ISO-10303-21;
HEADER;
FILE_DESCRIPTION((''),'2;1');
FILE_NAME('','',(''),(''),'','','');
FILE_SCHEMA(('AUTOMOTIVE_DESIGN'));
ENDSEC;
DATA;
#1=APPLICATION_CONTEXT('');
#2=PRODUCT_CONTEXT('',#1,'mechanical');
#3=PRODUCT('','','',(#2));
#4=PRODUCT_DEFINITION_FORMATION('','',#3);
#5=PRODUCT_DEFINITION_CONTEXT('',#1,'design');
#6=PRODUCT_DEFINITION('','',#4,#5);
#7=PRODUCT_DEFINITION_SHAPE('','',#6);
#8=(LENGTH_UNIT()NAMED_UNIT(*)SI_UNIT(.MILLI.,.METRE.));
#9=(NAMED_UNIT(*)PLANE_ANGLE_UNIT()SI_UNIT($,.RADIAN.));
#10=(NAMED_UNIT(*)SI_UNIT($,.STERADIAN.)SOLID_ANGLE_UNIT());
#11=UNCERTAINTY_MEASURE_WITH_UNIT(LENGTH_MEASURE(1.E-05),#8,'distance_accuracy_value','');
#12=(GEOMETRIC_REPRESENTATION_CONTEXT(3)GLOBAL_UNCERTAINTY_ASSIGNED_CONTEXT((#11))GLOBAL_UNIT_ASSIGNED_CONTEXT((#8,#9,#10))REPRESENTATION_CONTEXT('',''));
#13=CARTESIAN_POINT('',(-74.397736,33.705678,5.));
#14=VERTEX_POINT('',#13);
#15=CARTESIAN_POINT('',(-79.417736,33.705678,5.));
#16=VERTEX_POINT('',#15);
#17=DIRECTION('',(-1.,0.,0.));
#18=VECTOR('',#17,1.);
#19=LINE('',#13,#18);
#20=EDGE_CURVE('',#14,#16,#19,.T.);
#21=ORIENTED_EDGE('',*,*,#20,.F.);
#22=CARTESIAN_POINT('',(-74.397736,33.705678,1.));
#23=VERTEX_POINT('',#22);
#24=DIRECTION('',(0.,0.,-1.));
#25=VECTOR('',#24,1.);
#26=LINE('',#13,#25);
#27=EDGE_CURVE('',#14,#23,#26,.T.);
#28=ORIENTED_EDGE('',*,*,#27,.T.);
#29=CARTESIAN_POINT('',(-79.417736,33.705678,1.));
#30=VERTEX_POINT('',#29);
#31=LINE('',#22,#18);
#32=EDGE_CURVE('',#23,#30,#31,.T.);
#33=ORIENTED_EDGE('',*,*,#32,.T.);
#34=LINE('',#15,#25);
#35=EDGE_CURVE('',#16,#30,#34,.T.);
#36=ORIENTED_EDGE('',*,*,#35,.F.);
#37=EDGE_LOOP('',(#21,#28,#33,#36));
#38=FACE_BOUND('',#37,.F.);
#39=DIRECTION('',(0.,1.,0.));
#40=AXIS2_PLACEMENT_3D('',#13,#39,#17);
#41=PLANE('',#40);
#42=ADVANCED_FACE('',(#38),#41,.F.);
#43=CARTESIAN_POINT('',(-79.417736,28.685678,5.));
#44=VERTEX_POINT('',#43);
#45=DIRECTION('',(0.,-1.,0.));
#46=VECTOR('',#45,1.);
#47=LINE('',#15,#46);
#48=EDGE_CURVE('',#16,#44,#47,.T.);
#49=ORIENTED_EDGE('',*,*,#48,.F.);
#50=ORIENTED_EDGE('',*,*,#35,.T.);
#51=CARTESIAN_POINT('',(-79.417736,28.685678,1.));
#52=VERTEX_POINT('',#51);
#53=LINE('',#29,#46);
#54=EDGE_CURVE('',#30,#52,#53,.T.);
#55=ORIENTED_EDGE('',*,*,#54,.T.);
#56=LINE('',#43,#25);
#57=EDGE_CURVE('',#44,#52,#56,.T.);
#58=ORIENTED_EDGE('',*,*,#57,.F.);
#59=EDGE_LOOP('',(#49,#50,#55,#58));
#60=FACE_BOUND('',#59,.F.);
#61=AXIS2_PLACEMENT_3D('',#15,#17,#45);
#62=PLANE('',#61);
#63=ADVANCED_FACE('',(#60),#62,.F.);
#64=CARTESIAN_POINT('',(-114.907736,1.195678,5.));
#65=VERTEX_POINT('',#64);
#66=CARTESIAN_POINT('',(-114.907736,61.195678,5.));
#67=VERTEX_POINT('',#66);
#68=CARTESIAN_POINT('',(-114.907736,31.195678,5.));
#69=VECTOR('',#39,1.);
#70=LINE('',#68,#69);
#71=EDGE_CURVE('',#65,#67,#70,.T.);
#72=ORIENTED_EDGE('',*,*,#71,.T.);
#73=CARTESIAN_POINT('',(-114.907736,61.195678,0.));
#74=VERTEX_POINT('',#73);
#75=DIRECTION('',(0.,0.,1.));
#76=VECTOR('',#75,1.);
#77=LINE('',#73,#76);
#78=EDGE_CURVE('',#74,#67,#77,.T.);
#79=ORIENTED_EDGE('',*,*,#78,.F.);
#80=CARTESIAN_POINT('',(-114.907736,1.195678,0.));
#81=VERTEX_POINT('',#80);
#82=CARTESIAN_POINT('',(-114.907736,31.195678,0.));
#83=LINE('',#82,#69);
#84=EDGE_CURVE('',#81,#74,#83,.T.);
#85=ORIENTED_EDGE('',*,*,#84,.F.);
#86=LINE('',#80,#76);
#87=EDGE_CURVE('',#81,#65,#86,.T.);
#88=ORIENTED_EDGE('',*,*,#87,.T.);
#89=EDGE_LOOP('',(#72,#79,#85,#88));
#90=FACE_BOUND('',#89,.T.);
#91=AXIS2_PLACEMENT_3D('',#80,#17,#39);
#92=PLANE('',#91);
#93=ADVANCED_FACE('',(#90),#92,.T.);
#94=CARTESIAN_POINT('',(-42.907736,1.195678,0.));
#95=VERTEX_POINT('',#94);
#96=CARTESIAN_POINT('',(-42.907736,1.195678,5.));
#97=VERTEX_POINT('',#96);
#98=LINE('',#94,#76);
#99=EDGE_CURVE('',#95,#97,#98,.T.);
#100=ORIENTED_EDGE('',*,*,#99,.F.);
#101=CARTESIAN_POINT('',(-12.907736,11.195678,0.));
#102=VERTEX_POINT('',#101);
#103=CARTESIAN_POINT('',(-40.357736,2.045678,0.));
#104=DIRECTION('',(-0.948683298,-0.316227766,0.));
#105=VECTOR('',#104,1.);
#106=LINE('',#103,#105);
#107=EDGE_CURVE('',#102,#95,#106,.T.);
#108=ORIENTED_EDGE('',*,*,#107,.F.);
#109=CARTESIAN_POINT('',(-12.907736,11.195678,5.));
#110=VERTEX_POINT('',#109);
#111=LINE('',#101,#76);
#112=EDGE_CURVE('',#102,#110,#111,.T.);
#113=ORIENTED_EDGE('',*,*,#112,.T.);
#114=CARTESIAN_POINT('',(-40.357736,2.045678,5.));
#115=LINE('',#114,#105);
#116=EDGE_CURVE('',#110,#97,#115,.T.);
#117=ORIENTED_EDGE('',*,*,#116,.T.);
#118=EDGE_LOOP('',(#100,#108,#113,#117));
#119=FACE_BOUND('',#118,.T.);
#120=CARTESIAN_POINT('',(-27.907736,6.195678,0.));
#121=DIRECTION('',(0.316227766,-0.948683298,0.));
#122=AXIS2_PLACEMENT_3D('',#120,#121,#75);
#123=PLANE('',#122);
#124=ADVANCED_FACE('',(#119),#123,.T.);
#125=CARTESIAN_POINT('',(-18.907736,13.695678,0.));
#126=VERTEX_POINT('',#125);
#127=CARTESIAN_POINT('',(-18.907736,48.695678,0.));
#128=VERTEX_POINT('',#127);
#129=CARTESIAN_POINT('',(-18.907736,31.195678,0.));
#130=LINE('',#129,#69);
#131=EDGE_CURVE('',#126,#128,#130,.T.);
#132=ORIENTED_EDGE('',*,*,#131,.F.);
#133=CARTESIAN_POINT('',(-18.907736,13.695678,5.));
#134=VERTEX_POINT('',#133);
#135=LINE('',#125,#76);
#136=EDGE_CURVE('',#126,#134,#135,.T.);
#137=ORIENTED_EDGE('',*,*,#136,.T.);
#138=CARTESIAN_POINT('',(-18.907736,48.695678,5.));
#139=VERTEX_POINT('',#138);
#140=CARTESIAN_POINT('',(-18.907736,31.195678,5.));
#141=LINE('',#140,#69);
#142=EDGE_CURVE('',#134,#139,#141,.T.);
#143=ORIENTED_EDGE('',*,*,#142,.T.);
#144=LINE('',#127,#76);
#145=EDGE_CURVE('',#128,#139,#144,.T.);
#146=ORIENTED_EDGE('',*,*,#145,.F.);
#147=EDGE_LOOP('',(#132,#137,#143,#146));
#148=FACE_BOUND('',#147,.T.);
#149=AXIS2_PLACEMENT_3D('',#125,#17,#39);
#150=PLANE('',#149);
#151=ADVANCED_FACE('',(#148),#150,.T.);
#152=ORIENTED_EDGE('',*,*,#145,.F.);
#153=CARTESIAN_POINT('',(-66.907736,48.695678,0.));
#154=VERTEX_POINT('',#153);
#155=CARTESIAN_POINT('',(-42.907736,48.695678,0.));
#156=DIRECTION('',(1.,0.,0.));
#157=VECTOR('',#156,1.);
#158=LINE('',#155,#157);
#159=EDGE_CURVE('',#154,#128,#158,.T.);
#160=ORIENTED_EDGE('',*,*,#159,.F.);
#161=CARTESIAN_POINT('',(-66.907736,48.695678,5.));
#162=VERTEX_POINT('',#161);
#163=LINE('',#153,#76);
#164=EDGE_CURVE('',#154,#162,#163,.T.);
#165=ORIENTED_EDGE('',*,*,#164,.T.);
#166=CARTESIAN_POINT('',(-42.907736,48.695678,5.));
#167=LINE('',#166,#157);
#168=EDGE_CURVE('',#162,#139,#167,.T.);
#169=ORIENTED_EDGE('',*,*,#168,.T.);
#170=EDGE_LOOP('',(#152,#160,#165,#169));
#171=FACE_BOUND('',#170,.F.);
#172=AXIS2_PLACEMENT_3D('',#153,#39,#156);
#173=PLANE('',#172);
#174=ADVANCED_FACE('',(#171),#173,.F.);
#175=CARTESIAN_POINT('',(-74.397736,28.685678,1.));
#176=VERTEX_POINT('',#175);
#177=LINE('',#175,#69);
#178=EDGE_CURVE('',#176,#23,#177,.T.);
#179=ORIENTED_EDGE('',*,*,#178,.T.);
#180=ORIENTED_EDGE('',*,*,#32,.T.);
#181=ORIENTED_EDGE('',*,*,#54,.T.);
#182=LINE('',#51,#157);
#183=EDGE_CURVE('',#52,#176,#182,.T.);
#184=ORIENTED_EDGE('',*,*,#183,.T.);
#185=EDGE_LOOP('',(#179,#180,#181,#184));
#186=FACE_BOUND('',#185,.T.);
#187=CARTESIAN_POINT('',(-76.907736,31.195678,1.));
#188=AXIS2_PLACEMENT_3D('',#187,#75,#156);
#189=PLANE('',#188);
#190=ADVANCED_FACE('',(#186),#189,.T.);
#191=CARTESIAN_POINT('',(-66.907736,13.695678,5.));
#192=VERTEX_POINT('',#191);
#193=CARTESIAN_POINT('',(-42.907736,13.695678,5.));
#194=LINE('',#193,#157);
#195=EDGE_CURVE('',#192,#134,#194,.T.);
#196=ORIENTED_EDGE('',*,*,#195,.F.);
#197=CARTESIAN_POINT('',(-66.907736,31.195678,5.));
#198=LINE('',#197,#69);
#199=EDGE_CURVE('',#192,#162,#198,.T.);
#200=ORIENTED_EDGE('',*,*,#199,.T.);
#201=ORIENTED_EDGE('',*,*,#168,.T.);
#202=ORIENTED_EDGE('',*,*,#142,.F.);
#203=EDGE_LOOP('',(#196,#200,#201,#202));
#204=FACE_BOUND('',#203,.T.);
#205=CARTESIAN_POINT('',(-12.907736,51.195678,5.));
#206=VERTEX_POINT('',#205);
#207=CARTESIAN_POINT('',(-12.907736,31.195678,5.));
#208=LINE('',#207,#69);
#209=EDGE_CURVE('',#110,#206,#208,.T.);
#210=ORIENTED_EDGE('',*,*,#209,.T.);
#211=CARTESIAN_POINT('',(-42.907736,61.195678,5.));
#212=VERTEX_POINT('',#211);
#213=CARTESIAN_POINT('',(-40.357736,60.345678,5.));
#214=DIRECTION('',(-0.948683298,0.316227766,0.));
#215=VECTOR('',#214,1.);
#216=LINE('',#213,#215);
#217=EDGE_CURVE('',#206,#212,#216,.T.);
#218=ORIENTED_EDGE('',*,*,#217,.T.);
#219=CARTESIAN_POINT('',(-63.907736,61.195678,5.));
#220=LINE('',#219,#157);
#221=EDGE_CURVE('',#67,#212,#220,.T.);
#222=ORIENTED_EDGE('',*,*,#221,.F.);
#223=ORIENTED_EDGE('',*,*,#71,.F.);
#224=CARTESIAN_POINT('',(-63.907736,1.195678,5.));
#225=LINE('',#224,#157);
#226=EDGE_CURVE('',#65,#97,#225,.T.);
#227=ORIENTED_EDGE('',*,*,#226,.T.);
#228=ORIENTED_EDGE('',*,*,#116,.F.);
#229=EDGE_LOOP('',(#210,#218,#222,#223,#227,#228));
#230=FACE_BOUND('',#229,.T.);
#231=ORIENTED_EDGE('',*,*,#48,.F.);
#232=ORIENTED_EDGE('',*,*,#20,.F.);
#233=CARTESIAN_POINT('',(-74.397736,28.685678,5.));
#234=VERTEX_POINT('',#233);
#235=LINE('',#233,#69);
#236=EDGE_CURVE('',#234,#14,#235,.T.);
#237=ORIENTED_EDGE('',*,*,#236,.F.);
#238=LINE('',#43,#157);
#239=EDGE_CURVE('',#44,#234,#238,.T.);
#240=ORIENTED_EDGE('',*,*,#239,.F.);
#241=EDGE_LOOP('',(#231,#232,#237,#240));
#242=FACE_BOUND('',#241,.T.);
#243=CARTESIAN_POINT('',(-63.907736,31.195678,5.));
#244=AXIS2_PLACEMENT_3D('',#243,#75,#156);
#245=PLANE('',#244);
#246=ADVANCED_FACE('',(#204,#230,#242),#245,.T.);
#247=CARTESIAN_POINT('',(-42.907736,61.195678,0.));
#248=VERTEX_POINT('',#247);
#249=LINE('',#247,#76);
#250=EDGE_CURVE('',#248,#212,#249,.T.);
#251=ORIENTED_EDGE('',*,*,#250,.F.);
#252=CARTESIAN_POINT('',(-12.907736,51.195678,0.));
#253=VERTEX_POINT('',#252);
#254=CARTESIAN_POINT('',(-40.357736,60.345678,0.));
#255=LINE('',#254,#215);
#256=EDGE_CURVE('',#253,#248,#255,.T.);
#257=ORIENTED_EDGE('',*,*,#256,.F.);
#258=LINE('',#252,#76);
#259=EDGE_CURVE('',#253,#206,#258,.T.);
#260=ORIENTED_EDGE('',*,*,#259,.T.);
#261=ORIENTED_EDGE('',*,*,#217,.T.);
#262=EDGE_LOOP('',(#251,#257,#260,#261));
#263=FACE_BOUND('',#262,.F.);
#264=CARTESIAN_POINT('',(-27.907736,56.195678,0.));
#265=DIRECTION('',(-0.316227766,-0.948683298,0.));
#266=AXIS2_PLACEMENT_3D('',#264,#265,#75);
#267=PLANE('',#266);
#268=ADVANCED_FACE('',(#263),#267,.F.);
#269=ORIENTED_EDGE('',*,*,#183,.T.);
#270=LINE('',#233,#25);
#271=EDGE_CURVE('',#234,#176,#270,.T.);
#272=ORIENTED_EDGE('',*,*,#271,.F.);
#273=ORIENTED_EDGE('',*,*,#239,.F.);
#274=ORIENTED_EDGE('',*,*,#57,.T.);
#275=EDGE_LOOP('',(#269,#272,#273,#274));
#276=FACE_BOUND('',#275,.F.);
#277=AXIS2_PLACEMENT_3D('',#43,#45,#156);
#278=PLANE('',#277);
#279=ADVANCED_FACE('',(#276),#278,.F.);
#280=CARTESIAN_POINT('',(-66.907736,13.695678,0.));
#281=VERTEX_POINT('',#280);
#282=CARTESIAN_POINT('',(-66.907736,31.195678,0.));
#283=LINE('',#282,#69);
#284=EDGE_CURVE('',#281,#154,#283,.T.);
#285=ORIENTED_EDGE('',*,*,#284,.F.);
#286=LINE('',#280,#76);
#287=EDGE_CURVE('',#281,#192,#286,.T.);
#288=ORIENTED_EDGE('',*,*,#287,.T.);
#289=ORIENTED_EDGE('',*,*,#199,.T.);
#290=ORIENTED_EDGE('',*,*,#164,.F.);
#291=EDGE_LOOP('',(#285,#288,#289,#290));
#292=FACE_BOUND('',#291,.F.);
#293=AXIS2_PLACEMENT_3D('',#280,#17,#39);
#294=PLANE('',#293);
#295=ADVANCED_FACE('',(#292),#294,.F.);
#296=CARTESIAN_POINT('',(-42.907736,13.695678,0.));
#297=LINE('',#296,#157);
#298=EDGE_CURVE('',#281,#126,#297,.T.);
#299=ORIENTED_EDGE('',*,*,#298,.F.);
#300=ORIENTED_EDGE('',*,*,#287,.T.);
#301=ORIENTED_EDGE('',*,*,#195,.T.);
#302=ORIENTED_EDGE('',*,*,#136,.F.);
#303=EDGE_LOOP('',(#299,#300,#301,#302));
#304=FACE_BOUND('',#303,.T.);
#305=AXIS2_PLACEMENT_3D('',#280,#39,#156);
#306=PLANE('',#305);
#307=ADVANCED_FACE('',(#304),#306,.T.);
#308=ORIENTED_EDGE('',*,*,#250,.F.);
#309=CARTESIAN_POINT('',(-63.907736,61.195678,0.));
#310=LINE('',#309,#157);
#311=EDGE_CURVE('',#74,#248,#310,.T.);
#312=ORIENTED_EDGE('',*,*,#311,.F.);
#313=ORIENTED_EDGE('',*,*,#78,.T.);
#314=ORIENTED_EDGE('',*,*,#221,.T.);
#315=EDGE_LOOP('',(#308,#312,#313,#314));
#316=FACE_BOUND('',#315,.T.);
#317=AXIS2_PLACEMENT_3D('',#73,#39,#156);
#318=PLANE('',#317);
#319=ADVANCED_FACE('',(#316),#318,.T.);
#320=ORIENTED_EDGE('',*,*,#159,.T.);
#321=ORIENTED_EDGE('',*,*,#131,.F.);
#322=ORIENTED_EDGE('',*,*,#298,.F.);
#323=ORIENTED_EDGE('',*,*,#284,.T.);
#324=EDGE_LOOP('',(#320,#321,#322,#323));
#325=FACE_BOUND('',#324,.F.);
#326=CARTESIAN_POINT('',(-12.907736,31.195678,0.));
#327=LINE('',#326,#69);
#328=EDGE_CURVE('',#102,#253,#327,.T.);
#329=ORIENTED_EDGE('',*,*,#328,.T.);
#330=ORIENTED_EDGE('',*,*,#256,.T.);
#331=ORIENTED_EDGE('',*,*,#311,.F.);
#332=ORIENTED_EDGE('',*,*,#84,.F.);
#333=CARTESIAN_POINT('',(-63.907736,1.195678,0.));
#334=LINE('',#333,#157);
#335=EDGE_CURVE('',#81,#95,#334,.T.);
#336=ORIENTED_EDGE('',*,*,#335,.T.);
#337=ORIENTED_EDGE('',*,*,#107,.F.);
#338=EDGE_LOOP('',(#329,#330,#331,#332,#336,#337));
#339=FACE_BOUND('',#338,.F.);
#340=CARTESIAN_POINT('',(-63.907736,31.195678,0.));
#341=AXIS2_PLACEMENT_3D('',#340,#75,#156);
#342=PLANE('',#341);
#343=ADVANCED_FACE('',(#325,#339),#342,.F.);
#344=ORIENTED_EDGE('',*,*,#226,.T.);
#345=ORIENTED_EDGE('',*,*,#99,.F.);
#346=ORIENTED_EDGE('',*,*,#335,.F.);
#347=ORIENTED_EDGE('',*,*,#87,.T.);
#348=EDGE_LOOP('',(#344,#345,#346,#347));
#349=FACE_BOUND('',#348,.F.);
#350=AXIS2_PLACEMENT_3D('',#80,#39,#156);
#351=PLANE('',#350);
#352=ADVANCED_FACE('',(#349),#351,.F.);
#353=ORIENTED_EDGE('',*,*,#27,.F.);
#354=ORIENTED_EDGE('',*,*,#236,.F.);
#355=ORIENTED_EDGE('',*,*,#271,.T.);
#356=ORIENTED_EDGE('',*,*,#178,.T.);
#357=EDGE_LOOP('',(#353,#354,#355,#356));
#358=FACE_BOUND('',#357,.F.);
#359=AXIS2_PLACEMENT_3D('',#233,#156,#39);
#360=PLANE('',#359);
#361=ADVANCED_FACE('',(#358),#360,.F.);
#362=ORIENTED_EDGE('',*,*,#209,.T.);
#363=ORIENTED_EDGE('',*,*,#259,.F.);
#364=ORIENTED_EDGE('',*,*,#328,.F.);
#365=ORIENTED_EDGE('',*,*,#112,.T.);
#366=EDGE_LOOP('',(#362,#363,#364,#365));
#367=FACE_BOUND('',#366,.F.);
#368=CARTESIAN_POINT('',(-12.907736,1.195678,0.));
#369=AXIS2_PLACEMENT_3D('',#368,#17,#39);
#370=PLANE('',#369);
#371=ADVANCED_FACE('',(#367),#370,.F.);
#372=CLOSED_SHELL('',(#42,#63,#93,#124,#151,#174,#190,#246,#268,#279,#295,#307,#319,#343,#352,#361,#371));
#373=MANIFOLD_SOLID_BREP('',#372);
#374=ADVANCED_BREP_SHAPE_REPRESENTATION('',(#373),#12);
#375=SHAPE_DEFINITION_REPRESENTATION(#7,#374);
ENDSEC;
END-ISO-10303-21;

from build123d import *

# Parameters (mm, degrees)
F0_W     = 102
F0_H     = 60
F0_W_2   = 48
F0_H_2   = 35
F1_DEPTH = 5
F3_DEPTH = 4
F4_SIZE2 = 30
F4_SIZE  = 10


with BuildPart() as f1:
    # F0 (on Top) → F1 (new body)
    with BuildSketch(Plane.XY):
        with Locations((-63.9077364467, 31.1956779382)):
            Rectangle(F0_W, F0_H)
        with Locations((-42.9077364467, 31.1956779382)):
            Rectangle(F0_W_2, F0_H_2, mode=Mode.SUBTRACT)
    extrude(amount=F1_DEPTH)

    # F2 (on face) → F3 (cut)
    with BuildSketch(Plane.XY.offset(5)):
        Polygon((-74.3977364467, 33.7056779382), (-79.4177364467, 33.7056779382), (-79.4177364467, 28.6856779382), (-74.3977364467, 28.6856779382), (-74.3977364467, 31.1956779382), align=None)
    extrude(amount=-F3_DEPTH, mode=Mode.SUBTRACT)

    # F4
    f4_edges = [f1.edges().sort_by_distance(p)[0] for p in [
        (-12.907736, 1.195678, 2.5),
        (-12.907736, 61.195678, 2.5),
    ]]
    f4_side = f1.faces().sort_by_distance((-12.907736, 31.195678, 2.5))[0]
    chamfer(f4_edges, length=F4_SIZE, length2=F4_SIZE2, reference=f4_side)


solid = f1.part
